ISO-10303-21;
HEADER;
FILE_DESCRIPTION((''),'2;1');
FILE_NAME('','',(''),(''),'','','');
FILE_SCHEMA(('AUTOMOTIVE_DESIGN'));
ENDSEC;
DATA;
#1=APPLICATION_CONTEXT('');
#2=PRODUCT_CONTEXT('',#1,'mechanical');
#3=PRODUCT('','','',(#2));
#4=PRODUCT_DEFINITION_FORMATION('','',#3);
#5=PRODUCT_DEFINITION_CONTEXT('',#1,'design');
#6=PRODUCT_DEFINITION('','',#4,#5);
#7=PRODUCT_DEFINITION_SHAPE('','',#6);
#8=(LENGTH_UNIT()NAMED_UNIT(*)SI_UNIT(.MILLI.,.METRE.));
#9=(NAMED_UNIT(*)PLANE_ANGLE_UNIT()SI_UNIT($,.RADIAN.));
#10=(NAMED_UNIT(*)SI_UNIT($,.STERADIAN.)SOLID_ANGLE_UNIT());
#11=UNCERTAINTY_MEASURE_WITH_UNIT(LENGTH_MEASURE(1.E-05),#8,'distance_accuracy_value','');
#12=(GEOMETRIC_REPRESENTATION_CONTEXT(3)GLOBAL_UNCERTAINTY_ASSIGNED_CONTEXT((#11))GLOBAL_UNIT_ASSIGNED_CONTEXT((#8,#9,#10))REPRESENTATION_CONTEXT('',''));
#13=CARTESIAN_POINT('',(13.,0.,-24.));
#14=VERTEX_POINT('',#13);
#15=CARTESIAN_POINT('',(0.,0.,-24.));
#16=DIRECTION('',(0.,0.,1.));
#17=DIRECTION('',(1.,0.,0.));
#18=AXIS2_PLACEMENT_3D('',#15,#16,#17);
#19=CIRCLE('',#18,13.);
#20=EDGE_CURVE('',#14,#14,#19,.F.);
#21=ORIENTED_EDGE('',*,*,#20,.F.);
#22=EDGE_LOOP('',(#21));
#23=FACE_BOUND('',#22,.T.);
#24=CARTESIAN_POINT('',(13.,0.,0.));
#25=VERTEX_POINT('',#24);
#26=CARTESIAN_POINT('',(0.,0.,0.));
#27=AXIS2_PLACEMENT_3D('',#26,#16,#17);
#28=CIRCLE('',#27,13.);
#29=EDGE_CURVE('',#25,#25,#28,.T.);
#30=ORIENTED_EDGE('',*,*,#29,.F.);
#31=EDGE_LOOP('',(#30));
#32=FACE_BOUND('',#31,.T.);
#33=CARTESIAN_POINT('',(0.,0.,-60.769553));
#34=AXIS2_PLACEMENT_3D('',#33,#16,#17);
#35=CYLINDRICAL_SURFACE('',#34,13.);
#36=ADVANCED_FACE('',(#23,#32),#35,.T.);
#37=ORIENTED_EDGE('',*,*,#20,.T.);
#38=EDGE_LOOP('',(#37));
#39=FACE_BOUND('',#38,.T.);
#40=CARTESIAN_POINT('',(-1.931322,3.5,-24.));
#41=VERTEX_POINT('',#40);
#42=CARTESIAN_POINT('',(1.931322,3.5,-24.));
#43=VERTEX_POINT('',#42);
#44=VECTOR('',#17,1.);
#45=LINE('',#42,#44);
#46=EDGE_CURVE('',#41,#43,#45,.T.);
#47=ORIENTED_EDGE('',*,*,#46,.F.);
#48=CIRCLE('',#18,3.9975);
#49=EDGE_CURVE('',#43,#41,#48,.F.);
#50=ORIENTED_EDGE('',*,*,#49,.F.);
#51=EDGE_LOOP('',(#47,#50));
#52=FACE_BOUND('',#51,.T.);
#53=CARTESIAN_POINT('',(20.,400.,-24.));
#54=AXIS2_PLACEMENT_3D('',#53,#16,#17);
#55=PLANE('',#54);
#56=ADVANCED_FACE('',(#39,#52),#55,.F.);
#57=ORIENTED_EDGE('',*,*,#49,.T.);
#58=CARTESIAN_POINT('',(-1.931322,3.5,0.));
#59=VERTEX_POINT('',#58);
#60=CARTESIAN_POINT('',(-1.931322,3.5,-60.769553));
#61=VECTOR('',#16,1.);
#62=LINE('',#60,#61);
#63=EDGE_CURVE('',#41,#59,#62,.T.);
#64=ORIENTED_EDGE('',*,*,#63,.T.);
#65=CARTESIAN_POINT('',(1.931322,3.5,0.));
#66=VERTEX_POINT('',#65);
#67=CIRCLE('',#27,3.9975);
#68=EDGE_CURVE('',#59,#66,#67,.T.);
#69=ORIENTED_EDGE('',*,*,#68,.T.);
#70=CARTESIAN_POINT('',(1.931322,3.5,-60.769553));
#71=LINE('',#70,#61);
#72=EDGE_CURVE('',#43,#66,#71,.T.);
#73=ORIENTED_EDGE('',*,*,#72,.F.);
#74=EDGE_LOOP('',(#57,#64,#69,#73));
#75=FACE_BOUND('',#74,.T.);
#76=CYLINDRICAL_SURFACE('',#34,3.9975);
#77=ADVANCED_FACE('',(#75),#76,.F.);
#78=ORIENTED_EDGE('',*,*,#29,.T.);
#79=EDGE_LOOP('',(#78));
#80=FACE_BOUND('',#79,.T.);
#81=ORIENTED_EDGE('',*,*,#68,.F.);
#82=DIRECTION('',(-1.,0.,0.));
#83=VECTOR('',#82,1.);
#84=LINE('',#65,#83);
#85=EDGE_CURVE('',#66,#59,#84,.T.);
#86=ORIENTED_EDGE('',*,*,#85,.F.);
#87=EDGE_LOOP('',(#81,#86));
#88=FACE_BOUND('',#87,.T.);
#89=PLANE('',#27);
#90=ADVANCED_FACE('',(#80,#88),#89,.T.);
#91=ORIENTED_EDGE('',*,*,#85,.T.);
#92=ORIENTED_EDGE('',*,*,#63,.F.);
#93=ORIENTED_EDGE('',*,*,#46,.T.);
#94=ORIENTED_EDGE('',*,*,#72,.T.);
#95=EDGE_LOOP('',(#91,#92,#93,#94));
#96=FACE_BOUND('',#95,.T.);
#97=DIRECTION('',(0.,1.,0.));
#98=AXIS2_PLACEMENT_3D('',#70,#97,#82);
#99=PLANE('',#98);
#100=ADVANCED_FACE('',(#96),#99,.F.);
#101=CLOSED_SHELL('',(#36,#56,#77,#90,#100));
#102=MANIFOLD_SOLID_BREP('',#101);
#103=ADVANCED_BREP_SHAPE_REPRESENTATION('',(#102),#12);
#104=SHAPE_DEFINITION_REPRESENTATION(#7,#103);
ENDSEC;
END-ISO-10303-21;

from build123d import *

# Parameters (mm, degrees)
SKETCH3_R           = 13
BOSS_EXTRUDE1_DEPTH = 24


with BuildPart() as part:
    # Sketch3 → Boss-Extrude1 (new body)
    with BuildSketch(Plane.XY):
        Circle(SKETCH3_R)
        with BuildLine():
            Line((1.93132241, 3.5), (-1.93132241, 3.5))
            ThreePointArc((-1.93132241, 3.5), (0, -3.9975), (1.93132241, 3.5))
        make_face(mode=Mode.SUBTRACT)
    extrude(amount=-BOSS_EXTRUDE1_DEPTH)


solid = part.part
